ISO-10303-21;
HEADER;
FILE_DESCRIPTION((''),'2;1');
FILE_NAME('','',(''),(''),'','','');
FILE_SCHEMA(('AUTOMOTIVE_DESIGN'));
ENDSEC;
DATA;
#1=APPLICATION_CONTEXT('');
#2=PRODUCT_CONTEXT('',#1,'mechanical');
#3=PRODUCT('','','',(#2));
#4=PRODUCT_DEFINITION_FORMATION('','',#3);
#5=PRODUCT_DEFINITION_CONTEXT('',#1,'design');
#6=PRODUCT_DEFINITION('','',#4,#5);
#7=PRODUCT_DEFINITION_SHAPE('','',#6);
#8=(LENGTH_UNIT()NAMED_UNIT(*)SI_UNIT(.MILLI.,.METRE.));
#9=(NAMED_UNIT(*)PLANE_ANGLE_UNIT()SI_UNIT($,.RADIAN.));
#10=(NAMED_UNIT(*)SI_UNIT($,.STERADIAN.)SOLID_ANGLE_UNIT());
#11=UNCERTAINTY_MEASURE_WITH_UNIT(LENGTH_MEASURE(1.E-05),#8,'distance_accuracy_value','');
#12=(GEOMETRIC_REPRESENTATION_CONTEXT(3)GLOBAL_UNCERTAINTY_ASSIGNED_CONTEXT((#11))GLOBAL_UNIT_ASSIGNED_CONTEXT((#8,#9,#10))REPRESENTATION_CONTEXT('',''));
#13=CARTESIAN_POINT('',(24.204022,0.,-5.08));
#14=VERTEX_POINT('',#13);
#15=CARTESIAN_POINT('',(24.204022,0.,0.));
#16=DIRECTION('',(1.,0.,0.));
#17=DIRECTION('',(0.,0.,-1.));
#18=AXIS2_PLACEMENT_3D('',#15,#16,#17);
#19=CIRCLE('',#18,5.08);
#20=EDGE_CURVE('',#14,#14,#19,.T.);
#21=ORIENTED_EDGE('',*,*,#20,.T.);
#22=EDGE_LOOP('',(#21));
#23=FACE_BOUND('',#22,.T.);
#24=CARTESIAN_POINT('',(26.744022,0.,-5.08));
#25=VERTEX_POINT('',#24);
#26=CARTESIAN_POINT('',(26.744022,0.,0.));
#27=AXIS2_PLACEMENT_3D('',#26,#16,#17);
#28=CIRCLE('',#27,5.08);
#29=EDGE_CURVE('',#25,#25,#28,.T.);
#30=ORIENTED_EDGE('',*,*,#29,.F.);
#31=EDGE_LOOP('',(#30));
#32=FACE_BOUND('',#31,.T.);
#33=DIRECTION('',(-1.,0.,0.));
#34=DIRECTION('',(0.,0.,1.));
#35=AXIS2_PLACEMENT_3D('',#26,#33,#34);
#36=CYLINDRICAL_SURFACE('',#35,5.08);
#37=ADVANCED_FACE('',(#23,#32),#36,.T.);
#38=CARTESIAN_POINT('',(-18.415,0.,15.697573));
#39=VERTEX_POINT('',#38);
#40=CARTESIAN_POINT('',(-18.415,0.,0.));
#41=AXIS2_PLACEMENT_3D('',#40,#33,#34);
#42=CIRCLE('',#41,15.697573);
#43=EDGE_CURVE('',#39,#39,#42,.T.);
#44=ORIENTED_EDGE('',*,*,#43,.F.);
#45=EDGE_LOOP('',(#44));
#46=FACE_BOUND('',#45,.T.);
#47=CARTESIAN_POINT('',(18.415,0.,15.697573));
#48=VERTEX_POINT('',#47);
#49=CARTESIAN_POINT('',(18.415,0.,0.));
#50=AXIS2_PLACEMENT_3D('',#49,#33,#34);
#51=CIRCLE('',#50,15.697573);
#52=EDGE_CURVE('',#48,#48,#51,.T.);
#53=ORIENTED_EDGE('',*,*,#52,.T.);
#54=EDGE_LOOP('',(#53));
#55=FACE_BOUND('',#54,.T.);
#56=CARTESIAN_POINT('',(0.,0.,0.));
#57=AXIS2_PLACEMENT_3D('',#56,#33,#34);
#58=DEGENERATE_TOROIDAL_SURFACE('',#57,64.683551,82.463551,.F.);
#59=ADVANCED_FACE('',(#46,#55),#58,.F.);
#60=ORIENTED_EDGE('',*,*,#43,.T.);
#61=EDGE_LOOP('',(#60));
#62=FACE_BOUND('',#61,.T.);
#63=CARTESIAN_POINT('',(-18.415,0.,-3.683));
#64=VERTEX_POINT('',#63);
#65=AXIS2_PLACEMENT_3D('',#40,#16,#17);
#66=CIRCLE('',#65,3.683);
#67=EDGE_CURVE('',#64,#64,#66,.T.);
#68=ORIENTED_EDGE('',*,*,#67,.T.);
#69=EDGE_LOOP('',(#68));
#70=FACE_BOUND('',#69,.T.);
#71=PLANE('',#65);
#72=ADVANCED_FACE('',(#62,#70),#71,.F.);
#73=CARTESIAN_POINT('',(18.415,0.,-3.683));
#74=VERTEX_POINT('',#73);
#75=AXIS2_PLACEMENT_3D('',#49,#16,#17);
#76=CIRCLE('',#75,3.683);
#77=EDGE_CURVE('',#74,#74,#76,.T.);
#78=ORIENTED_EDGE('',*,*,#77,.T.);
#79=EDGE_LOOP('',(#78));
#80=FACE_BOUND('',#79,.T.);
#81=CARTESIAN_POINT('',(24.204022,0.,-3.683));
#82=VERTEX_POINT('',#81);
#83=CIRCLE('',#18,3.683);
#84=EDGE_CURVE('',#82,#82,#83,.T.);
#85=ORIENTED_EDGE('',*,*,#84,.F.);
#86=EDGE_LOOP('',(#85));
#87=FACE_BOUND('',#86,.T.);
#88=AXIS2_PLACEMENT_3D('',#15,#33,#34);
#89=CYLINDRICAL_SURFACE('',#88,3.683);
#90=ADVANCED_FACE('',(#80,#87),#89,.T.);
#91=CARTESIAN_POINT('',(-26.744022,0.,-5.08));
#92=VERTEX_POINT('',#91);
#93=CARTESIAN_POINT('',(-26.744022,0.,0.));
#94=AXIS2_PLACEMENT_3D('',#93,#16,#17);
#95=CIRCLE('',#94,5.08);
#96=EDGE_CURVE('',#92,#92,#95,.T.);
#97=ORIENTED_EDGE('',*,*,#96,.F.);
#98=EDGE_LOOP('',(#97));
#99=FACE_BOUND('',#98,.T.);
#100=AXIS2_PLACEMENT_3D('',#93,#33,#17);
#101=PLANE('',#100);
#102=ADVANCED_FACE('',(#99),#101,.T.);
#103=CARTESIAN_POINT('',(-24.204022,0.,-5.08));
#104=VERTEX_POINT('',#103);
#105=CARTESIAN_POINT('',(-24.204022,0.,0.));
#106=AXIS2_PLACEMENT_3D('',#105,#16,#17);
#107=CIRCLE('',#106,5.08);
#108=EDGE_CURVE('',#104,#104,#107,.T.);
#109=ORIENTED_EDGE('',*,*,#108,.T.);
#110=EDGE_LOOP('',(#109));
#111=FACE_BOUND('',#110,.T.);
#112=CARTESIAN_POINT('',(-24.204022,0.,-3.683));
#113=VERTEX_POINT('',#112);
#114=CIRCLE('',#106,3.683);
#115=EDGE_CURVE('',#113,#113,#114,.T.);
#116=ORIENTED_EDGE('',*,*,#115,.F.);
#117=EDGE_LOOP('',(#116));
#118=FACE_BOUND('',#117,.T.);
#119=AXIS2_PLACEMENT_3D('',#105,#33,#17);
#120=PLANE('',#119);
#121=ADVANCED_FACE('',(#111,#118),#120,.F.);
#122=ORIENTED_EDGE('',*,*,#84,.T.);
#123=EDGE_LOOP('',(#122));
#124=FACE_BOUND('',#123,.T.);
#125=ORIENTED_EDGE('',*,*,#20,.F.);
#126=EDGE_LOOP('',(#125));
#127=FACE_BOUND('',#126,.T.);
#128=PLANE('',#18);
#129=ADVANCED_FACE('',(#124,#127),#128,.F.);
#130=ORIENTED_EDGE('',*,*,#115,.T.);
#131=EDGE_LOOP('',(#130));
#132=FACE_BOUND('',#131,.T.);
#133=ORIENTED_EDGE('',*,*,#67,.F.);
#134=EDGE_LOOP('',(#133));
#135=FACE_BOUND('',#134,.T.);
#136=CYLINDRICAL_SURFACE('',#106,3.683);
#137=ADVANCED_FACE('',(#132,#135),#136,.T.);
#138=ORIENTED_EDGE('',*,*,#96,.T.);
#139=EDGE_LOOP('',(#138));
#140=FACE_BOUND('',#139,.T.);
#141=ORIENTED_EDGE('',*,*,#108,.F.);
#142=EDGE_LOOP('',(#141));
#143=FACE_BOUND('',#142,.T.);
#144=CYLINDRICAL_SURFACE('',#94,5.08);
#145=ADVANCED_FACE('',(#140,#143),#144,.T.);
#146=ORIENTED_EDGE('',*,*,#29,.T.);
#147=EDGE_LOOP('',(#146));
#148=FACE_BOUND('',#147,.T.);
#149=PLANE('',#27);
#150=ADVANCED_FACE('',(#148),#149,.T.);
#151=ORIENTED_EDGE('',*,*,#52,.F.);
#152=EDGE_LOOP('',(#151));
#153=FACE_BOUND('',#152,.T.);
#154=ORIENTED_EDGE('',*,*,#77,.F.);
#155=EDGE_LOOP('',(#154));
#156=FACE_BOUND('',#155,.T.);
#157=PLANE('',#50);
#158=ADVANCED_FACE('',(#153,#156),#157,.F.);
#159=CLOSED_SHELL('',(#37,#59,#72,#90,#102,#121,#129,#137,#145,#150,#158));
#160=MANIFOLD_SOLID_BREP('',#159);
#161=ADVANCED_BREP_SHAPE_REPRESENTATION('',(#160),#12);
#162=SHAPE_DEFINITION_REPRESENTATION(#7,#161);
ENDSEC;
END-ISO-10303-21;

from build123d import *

# Parameters (mm, degrees)
SKETCH4_R           = 3.683
BOSS_EXTRUDE1_DEPTH = 5.789022458
SKETCH5_R           = 5.08
BOSS_EXTRUDE2_DEPTH = 2.54


with BuildPart() as part:
    # Sketch2 → Revolve1 (revolve)
    with BuildSketch(Plane.XY, mode=Mode.PRIVATE) as revolve1_sk:
        with BuildLine():
            Line((-18.415, 0), (-18.415, 15.697572511))
            ThreePointArc((-18.415, 15.697572511), (-9.266184884, 17.257739329), (0, 17.78))
            ThreePointArc((0, 17.78), (9.266184884, 17.257739329), (18.415, 15.697572511))
            Line((18.415, 15.697572511), (18.415, 0))
            Line((18.415, 0), (-18.415, 0))
        make_face()
    revolve(revolve1_sk.sketch.rotate(Axis((-18.415, 0, 0), (1, 0, 0)), 90), axis=Axis((-18.415, 0, 0), (1, 0, 0)))

    # Sketch4 → Boss-Extrude1 (add)
    with BuildSketch(Plane(origin=(18.415, 0, 0), x_dir=(0, 0, -1), z_dir=(1, 0, 0))):
        Circle(SKETCH4_R)
    boss_extrude1 = extrude(amount=BOSS_EXTRUDE1_DEPTH)

    # Sketch5 → Boss-Extrude2 (add)
    with BuildSketch(Plane(origin=(24.204022458, 0, 0), x_dir=(0, 0, -1), z_dir=(1, 0, 0))):
        Circle(SKETCH5_R)
    boss_extrude2 = extrude(amount=BOSS_EXTRUDE2_DEPTH)

    # Mirror1: Boss-Extrude1, Boss-Extrude2 across plane
    add(boss_extrude1.mirror(Plane(origin=(0, 0, 0), x_dir=(0, 0, 1), z_dir=(1, 0, 0))))
    add(boss_extrude2.mirror(Plane(origin=(0, 0, 0), x_dir=(0, 0, 1), z_dir=(1, 0, 0))))


solid = part.part
